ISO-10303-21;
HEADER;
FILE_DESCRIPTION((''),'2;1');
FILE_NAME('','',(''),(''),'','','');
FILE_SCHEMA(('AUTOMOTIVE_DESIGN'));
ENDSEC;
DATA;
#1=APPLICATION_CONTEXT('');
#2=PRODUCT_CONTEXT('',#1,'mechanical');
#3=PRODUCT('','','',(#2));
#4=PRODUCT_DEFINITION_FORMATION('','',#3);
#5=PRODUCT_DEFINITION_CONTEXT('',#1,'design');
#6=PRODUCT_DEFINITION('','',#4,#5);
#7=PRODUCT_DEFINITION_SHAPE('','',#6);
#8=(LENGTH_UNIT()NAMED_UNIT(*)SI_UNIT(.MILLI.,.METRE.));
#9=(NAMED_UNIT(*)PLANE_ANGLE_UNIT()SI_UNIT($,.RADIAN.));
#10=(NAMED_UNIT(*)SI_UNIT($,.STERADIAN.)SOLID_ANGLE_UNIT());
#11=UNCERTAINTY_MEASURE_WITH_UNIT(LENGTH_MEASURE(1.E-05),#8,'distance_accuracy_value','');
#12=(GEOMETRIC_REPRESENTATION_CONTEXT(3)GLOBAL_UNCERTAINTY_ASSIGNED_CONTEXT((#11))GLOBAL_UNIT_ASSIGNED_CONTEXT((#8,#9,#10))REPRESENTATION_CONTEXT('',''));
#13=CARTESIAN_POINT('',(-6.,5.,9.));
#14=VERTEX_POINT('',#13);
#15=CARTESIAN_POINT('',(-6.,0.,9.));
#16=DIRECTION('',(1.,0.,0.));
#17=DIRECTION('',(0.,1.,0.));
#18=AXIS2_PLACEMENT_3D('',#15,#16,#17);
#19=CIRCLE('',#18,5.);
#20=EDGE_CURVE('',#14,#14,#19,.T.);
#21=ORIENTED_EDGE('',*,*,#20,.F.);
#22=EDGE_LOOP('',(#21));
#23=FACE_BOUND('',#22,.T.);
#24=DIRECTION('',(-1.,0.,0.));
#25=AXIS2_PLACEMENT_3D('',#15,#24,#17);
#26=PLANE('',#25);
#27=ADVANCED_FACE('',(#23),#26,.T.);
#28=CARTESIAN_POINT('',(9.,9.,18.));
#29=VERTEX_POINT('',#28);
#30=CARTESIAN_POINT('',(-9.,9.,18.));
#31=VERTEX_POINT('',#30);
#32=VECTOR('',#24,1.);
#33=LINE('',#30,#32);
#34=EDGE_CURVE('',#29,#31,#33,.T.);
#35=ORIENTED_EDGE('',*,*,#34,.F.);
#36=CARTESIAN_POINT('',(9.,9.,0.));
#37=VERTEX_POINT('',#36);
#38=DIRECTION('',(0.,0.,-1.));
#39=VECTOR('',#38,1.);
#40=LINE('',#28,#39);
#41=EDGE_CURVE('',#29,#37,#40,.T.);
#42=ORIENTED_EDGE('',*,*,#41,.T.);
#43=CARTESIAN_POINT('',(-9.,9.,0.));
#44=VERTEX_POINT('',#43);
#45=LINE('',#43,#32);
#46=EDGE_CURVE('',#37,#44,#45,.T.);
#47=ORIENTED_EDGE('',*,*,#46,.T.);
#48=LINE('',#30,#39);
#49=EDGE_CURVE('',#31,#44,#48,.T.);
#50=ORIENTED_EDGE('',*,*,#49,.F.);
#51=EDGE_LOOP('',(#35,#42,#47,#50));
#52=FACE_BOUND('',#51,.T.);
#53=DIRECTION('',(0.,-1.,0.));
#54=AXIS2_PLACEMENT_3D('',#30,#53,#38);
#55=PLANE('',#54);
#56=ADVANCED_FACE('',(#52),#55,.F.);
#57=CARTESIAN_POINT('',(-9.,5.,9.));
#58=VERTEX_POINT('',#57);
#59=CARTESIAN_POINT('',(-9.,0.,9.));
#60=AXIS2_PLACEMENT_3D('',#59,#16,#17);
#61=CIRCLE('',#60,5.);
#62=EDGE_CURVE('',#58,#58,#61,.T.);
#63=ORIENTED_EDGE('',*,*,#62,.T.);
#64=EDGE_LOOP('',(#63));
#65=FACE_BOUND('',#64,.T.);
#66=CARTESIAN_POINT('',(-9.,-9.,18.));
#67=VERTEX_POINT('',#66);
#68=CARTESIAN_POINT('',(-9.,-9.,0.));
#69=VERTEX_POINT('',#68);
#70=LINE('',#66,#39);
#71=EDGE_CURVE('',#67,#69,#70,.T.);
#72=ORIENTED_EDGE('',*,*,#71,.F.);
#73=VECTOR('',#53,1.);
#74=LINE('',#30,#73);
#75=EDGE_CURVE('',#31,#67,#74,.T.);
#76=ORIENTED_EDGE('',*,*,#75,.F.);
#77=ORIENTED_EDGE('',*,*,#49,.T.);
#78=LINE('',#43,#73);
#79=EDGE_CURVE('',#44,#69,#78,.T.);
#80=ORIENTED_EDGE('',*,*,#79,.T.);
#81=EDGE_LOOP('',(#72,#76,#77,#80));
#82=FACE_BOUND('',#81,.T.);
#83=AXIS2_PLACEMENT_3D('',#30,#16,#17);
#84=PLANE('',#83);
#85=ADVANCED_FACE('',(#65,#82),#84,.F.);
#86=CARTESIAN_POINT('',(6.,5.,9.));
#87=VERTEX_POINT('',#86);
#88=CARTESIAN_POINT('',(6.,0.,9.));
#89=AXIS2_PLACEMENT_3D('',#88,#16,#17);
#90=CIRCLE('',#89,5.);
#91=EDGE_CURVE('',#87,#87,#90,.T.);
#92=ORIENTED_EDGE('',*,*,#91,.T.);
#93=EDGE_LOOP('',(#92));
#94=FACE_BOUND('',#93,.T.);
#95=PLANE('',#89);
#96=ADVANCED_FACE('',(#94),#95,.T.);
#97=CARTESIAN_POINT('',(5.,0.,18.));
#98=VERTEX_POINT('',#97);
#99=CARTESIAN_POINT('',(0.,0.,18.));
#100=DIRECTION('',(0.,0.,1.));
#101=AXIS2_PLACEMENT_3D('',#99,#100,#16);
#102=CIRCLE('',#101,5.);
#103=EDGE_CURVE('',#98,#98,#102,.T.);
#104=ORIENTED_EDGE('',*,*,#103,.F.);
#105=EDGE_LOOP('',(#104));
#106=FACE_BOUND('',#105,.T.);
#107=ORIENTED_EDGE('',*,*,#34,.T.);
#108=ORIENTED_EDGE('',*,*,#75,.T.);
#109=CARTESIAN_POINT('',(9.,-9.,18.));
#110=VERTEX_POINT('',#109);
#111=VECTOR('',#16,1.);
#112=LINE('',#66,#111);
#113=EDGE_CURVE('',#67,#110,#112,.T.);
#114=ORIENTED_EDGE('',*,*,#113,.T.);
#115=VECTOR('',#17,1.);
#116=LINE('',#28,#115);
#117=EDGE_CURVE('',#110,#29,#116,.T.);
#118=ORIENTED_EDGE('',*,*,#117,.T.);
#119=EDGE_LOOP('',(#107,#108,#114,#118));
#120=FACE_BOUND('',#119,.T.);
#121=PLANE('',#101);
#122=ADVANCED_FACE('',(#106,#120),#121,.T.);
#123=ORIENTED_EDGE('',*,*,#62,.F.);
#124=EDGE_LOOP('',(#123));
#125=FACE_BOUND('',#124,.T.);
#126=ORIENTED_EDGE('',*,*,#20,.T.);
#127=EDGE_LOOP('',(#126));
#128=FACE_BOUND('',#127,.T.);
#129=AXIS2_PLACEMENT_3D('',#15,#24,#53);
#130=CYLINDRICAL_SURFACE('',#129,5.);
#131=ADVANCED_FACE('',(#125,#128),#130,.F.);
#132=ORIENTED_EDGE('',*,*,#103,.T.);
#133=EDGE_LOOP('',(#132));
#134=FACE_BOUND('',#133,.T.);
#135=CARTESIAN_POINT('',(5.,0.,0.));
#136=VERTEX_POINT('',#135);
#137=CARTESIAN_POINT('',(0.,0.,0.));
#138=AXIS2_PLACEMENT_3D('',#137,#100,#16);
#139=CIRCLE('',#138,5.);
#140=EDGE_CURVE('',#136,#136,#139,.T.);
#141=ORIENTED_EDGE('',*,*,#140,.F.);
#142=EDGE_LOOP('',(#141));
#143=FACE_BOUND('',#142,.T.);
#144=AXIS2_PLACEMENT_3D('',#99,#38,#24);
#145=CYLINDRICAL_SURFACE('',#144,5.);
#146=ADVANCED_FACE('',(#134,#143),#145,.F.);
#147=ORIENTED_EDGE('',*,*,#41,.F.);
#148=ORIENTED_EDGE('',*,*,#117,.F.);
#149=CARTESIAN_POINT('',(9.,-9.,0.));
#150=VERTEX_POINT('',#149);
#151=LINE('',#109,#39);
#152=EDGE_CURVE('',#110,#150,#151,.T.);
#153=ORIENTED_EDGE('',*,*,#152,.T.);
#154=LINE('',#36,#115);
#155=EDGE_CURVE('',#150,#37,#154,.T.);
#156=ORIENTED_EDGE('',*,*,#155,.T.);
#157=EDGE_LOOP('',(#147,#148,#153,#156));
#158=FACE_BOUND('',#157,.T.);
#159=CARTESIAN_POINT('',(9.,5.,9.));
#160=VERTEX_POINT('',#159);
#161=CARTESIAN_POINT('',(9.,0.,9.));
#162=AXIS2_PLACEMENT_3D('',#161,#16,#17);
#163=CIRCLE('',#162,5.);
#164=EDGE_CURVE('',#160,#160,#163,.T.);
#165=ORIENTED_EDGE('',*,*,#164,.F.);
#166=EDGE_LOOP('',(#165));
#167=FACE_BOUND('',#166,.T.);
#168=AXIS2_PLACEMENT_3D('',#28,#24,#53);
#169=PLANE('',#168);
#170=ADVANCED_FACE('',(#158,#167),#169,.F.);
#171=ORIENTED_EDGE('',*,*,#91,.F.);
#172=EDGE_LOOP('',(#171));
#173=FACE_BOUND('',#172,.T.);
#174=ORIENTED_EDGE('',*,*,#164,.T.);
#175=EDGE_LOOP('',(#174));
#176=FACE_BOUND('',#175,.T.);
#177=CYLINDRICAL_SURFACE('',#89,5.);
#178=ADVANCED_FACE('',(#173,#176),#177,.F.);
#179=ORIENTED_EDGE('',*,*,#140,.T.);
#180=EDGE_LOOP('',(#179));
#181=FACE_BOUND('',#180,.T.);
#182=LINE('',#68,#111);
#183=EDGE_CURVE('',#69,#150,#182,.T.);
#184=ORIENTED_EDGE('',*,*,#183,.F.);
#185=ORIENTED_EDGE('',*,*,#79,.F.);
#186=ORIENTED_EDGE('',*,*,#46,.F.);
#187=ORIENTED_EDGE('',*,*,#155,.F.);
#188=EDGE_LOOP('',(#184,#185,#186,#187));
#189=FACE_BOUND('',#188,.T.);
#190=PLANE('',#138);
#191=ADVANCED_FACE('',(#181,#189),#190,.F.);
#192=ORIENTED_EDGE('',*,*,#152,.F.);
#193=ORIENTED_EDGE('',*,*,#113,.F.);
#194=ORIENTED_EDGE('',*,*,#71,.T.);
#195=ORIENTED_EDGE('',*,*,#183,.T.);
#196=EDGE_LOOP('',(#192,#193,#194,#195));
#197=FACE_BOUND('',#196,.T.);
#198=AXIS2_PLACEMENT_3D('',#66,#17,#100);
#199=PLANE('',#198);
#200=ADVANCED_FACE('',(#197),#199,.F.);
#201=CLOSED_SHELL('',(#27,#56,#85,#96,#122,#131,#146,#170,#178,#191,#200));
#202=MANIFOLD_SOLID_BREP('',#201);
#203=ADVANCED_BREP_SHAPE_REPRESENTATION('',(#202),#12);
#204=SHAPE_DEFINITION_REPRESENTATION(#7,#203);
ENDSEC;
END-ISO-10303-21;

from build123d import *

# Parameters (mm, degrees)
SKETCH1_W           = 18
SKETCH1_H           = 18
SKETCH1_R           = 5
BOSS_EXTRUDE1_DEPTH = 18
SKETCH2_R           = 5
CUT_EXTRUDE1_DEPTH  = 3


with BuildPart() as part:
    # Sketch1 → Boss-Extrude1 (new body)
    with BuildSketch(Plane.XY):
        Rectangle(SKETCH1_W, SKETCH1_H)
        Circle(SKETCH1_R, mode=Mode.SUBTRACT)
    extrude(amount=BOSS_EXTRUDE1_DEPTH)

    # Sketch2 → Cut-Extrude1 (cut)
    with BuildSketch(Plane(origin=(9, 0, 0), x_dir=(0, 0, -1), z_dir=(1, 0, 0))):
        with Locations(Location((-9, 0, 0), (0, 0, 90))):
            Circle(SKETCH2_R)
    cut_extrude1 = extrude(amount=-CUT_EXTRUDE1_DEPTH, mode=Mode.SUBTRACT)

    # Mirror1: Cut-Extrude1 across plane
    add(cut_extrude1.mirror(Plane(origin=(0, 0, 0), x_dir=(0, 0, 1), z_dir=(1, 0, 0))), mode=Mode.SUBTRACT)


solid = part.part
